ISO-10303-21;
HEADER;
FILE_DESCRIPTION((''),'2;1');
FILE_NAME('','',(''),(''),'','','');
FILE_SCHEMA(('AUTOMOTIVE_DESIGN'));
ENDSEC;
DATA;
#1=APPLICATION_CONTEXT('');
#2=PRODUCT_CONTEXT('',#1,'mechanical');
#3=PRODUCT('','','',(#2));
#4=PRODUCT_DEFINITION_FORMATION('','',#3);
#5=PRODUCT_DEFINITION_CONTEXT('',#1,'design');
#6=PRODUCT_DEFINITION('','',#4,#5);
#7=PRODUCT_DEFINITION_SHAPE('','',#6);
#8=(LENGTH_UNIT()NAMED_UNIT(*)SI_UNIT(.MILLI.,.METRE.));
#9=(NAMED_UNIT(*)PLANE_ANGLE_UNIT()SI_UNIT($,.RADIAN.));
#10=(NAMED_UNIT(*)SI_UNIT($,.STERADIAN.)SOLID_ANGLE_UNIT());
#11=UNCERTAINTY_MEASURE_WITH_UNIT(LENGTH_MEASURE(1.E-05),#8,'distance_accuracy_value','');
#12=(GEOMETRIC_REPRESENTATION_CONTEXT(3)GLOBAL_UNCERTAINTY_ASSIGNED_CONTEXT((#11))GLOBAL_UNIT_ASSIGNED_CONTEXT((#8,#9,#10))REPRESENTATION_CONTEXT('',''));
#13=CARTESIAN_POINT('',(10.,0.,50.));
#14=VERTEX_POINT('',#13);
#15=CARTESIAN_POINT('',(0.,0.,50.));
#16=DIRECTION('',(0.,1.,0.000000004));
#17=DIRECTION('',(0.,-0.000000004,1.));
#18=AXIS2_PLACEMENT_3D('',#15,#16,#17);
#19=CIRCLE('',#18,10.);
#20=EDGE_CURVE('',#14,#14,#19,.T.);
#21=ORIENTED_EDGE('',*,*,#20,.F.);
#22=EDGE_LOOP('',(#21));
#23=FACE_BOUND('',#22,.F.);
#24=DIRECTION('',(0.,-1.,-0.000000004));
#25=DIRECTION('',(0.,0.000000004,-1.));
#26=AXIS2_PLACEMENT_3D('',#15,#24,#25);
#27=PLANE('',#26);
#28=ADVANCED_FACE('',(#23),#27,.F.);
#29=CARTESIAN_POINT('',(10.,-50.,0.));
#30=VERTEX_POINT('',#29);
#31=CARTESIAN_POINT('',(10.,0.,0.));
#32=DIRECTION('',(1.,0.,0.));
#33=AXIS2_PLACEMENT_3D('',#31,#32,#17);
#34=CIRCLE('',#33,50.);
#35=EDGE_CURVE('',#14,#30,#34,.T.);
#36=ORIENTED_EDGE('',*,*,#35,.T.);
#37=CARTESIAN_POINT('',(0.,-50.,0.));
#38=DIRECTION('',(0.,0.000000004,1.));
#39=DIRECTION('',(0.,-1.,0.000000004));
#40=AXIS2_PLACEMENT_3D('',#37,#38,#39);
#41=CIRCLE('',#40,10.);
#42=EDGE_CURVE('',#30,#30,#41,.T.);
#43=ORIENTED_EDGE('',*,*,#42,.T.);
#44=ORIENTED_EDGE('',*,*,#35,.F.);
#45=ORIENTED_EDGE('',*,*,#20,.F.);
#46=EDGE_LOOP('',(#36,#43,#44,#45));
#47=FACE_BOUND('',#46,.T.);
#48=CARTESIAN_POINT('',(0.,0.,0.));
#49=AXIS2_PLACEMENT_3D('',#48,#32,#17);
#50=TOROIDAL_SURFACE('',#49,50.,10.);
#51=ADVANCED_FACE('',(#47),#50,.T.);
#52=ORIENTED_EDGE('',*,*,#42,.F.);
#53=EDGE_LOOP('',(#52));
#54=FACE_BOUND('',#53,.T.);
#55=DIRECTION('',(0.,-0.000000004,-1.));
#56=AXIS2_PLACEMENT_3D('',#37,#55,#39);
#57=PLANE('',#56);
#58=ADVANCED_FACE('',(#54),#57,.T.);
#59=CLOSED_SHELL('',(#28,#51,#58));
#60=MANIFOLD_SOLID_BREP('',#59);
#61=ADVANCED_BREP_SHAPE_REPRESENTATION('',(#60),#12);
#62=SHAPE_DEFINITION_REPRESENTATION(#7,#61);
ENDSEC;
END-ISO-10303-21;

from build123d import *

# Parameters (mm, degrees)
F1_R = 10


with BuildPart() as f2:
    # F2: sweep along a path in F0
    with BuildLine(Plane.YZ) as f2_path:
        ThreePointArc((0, 50), (-35.355339, 35.355339), (-50, 0))
    # F1 (on Front) → F2 (sweep)
    with BuildSketch(Plane.XZ):
        with Locations((0, 50)):
            Circle(F1_R)
    sweep(path=f2_path.line)


solid = f2.part
